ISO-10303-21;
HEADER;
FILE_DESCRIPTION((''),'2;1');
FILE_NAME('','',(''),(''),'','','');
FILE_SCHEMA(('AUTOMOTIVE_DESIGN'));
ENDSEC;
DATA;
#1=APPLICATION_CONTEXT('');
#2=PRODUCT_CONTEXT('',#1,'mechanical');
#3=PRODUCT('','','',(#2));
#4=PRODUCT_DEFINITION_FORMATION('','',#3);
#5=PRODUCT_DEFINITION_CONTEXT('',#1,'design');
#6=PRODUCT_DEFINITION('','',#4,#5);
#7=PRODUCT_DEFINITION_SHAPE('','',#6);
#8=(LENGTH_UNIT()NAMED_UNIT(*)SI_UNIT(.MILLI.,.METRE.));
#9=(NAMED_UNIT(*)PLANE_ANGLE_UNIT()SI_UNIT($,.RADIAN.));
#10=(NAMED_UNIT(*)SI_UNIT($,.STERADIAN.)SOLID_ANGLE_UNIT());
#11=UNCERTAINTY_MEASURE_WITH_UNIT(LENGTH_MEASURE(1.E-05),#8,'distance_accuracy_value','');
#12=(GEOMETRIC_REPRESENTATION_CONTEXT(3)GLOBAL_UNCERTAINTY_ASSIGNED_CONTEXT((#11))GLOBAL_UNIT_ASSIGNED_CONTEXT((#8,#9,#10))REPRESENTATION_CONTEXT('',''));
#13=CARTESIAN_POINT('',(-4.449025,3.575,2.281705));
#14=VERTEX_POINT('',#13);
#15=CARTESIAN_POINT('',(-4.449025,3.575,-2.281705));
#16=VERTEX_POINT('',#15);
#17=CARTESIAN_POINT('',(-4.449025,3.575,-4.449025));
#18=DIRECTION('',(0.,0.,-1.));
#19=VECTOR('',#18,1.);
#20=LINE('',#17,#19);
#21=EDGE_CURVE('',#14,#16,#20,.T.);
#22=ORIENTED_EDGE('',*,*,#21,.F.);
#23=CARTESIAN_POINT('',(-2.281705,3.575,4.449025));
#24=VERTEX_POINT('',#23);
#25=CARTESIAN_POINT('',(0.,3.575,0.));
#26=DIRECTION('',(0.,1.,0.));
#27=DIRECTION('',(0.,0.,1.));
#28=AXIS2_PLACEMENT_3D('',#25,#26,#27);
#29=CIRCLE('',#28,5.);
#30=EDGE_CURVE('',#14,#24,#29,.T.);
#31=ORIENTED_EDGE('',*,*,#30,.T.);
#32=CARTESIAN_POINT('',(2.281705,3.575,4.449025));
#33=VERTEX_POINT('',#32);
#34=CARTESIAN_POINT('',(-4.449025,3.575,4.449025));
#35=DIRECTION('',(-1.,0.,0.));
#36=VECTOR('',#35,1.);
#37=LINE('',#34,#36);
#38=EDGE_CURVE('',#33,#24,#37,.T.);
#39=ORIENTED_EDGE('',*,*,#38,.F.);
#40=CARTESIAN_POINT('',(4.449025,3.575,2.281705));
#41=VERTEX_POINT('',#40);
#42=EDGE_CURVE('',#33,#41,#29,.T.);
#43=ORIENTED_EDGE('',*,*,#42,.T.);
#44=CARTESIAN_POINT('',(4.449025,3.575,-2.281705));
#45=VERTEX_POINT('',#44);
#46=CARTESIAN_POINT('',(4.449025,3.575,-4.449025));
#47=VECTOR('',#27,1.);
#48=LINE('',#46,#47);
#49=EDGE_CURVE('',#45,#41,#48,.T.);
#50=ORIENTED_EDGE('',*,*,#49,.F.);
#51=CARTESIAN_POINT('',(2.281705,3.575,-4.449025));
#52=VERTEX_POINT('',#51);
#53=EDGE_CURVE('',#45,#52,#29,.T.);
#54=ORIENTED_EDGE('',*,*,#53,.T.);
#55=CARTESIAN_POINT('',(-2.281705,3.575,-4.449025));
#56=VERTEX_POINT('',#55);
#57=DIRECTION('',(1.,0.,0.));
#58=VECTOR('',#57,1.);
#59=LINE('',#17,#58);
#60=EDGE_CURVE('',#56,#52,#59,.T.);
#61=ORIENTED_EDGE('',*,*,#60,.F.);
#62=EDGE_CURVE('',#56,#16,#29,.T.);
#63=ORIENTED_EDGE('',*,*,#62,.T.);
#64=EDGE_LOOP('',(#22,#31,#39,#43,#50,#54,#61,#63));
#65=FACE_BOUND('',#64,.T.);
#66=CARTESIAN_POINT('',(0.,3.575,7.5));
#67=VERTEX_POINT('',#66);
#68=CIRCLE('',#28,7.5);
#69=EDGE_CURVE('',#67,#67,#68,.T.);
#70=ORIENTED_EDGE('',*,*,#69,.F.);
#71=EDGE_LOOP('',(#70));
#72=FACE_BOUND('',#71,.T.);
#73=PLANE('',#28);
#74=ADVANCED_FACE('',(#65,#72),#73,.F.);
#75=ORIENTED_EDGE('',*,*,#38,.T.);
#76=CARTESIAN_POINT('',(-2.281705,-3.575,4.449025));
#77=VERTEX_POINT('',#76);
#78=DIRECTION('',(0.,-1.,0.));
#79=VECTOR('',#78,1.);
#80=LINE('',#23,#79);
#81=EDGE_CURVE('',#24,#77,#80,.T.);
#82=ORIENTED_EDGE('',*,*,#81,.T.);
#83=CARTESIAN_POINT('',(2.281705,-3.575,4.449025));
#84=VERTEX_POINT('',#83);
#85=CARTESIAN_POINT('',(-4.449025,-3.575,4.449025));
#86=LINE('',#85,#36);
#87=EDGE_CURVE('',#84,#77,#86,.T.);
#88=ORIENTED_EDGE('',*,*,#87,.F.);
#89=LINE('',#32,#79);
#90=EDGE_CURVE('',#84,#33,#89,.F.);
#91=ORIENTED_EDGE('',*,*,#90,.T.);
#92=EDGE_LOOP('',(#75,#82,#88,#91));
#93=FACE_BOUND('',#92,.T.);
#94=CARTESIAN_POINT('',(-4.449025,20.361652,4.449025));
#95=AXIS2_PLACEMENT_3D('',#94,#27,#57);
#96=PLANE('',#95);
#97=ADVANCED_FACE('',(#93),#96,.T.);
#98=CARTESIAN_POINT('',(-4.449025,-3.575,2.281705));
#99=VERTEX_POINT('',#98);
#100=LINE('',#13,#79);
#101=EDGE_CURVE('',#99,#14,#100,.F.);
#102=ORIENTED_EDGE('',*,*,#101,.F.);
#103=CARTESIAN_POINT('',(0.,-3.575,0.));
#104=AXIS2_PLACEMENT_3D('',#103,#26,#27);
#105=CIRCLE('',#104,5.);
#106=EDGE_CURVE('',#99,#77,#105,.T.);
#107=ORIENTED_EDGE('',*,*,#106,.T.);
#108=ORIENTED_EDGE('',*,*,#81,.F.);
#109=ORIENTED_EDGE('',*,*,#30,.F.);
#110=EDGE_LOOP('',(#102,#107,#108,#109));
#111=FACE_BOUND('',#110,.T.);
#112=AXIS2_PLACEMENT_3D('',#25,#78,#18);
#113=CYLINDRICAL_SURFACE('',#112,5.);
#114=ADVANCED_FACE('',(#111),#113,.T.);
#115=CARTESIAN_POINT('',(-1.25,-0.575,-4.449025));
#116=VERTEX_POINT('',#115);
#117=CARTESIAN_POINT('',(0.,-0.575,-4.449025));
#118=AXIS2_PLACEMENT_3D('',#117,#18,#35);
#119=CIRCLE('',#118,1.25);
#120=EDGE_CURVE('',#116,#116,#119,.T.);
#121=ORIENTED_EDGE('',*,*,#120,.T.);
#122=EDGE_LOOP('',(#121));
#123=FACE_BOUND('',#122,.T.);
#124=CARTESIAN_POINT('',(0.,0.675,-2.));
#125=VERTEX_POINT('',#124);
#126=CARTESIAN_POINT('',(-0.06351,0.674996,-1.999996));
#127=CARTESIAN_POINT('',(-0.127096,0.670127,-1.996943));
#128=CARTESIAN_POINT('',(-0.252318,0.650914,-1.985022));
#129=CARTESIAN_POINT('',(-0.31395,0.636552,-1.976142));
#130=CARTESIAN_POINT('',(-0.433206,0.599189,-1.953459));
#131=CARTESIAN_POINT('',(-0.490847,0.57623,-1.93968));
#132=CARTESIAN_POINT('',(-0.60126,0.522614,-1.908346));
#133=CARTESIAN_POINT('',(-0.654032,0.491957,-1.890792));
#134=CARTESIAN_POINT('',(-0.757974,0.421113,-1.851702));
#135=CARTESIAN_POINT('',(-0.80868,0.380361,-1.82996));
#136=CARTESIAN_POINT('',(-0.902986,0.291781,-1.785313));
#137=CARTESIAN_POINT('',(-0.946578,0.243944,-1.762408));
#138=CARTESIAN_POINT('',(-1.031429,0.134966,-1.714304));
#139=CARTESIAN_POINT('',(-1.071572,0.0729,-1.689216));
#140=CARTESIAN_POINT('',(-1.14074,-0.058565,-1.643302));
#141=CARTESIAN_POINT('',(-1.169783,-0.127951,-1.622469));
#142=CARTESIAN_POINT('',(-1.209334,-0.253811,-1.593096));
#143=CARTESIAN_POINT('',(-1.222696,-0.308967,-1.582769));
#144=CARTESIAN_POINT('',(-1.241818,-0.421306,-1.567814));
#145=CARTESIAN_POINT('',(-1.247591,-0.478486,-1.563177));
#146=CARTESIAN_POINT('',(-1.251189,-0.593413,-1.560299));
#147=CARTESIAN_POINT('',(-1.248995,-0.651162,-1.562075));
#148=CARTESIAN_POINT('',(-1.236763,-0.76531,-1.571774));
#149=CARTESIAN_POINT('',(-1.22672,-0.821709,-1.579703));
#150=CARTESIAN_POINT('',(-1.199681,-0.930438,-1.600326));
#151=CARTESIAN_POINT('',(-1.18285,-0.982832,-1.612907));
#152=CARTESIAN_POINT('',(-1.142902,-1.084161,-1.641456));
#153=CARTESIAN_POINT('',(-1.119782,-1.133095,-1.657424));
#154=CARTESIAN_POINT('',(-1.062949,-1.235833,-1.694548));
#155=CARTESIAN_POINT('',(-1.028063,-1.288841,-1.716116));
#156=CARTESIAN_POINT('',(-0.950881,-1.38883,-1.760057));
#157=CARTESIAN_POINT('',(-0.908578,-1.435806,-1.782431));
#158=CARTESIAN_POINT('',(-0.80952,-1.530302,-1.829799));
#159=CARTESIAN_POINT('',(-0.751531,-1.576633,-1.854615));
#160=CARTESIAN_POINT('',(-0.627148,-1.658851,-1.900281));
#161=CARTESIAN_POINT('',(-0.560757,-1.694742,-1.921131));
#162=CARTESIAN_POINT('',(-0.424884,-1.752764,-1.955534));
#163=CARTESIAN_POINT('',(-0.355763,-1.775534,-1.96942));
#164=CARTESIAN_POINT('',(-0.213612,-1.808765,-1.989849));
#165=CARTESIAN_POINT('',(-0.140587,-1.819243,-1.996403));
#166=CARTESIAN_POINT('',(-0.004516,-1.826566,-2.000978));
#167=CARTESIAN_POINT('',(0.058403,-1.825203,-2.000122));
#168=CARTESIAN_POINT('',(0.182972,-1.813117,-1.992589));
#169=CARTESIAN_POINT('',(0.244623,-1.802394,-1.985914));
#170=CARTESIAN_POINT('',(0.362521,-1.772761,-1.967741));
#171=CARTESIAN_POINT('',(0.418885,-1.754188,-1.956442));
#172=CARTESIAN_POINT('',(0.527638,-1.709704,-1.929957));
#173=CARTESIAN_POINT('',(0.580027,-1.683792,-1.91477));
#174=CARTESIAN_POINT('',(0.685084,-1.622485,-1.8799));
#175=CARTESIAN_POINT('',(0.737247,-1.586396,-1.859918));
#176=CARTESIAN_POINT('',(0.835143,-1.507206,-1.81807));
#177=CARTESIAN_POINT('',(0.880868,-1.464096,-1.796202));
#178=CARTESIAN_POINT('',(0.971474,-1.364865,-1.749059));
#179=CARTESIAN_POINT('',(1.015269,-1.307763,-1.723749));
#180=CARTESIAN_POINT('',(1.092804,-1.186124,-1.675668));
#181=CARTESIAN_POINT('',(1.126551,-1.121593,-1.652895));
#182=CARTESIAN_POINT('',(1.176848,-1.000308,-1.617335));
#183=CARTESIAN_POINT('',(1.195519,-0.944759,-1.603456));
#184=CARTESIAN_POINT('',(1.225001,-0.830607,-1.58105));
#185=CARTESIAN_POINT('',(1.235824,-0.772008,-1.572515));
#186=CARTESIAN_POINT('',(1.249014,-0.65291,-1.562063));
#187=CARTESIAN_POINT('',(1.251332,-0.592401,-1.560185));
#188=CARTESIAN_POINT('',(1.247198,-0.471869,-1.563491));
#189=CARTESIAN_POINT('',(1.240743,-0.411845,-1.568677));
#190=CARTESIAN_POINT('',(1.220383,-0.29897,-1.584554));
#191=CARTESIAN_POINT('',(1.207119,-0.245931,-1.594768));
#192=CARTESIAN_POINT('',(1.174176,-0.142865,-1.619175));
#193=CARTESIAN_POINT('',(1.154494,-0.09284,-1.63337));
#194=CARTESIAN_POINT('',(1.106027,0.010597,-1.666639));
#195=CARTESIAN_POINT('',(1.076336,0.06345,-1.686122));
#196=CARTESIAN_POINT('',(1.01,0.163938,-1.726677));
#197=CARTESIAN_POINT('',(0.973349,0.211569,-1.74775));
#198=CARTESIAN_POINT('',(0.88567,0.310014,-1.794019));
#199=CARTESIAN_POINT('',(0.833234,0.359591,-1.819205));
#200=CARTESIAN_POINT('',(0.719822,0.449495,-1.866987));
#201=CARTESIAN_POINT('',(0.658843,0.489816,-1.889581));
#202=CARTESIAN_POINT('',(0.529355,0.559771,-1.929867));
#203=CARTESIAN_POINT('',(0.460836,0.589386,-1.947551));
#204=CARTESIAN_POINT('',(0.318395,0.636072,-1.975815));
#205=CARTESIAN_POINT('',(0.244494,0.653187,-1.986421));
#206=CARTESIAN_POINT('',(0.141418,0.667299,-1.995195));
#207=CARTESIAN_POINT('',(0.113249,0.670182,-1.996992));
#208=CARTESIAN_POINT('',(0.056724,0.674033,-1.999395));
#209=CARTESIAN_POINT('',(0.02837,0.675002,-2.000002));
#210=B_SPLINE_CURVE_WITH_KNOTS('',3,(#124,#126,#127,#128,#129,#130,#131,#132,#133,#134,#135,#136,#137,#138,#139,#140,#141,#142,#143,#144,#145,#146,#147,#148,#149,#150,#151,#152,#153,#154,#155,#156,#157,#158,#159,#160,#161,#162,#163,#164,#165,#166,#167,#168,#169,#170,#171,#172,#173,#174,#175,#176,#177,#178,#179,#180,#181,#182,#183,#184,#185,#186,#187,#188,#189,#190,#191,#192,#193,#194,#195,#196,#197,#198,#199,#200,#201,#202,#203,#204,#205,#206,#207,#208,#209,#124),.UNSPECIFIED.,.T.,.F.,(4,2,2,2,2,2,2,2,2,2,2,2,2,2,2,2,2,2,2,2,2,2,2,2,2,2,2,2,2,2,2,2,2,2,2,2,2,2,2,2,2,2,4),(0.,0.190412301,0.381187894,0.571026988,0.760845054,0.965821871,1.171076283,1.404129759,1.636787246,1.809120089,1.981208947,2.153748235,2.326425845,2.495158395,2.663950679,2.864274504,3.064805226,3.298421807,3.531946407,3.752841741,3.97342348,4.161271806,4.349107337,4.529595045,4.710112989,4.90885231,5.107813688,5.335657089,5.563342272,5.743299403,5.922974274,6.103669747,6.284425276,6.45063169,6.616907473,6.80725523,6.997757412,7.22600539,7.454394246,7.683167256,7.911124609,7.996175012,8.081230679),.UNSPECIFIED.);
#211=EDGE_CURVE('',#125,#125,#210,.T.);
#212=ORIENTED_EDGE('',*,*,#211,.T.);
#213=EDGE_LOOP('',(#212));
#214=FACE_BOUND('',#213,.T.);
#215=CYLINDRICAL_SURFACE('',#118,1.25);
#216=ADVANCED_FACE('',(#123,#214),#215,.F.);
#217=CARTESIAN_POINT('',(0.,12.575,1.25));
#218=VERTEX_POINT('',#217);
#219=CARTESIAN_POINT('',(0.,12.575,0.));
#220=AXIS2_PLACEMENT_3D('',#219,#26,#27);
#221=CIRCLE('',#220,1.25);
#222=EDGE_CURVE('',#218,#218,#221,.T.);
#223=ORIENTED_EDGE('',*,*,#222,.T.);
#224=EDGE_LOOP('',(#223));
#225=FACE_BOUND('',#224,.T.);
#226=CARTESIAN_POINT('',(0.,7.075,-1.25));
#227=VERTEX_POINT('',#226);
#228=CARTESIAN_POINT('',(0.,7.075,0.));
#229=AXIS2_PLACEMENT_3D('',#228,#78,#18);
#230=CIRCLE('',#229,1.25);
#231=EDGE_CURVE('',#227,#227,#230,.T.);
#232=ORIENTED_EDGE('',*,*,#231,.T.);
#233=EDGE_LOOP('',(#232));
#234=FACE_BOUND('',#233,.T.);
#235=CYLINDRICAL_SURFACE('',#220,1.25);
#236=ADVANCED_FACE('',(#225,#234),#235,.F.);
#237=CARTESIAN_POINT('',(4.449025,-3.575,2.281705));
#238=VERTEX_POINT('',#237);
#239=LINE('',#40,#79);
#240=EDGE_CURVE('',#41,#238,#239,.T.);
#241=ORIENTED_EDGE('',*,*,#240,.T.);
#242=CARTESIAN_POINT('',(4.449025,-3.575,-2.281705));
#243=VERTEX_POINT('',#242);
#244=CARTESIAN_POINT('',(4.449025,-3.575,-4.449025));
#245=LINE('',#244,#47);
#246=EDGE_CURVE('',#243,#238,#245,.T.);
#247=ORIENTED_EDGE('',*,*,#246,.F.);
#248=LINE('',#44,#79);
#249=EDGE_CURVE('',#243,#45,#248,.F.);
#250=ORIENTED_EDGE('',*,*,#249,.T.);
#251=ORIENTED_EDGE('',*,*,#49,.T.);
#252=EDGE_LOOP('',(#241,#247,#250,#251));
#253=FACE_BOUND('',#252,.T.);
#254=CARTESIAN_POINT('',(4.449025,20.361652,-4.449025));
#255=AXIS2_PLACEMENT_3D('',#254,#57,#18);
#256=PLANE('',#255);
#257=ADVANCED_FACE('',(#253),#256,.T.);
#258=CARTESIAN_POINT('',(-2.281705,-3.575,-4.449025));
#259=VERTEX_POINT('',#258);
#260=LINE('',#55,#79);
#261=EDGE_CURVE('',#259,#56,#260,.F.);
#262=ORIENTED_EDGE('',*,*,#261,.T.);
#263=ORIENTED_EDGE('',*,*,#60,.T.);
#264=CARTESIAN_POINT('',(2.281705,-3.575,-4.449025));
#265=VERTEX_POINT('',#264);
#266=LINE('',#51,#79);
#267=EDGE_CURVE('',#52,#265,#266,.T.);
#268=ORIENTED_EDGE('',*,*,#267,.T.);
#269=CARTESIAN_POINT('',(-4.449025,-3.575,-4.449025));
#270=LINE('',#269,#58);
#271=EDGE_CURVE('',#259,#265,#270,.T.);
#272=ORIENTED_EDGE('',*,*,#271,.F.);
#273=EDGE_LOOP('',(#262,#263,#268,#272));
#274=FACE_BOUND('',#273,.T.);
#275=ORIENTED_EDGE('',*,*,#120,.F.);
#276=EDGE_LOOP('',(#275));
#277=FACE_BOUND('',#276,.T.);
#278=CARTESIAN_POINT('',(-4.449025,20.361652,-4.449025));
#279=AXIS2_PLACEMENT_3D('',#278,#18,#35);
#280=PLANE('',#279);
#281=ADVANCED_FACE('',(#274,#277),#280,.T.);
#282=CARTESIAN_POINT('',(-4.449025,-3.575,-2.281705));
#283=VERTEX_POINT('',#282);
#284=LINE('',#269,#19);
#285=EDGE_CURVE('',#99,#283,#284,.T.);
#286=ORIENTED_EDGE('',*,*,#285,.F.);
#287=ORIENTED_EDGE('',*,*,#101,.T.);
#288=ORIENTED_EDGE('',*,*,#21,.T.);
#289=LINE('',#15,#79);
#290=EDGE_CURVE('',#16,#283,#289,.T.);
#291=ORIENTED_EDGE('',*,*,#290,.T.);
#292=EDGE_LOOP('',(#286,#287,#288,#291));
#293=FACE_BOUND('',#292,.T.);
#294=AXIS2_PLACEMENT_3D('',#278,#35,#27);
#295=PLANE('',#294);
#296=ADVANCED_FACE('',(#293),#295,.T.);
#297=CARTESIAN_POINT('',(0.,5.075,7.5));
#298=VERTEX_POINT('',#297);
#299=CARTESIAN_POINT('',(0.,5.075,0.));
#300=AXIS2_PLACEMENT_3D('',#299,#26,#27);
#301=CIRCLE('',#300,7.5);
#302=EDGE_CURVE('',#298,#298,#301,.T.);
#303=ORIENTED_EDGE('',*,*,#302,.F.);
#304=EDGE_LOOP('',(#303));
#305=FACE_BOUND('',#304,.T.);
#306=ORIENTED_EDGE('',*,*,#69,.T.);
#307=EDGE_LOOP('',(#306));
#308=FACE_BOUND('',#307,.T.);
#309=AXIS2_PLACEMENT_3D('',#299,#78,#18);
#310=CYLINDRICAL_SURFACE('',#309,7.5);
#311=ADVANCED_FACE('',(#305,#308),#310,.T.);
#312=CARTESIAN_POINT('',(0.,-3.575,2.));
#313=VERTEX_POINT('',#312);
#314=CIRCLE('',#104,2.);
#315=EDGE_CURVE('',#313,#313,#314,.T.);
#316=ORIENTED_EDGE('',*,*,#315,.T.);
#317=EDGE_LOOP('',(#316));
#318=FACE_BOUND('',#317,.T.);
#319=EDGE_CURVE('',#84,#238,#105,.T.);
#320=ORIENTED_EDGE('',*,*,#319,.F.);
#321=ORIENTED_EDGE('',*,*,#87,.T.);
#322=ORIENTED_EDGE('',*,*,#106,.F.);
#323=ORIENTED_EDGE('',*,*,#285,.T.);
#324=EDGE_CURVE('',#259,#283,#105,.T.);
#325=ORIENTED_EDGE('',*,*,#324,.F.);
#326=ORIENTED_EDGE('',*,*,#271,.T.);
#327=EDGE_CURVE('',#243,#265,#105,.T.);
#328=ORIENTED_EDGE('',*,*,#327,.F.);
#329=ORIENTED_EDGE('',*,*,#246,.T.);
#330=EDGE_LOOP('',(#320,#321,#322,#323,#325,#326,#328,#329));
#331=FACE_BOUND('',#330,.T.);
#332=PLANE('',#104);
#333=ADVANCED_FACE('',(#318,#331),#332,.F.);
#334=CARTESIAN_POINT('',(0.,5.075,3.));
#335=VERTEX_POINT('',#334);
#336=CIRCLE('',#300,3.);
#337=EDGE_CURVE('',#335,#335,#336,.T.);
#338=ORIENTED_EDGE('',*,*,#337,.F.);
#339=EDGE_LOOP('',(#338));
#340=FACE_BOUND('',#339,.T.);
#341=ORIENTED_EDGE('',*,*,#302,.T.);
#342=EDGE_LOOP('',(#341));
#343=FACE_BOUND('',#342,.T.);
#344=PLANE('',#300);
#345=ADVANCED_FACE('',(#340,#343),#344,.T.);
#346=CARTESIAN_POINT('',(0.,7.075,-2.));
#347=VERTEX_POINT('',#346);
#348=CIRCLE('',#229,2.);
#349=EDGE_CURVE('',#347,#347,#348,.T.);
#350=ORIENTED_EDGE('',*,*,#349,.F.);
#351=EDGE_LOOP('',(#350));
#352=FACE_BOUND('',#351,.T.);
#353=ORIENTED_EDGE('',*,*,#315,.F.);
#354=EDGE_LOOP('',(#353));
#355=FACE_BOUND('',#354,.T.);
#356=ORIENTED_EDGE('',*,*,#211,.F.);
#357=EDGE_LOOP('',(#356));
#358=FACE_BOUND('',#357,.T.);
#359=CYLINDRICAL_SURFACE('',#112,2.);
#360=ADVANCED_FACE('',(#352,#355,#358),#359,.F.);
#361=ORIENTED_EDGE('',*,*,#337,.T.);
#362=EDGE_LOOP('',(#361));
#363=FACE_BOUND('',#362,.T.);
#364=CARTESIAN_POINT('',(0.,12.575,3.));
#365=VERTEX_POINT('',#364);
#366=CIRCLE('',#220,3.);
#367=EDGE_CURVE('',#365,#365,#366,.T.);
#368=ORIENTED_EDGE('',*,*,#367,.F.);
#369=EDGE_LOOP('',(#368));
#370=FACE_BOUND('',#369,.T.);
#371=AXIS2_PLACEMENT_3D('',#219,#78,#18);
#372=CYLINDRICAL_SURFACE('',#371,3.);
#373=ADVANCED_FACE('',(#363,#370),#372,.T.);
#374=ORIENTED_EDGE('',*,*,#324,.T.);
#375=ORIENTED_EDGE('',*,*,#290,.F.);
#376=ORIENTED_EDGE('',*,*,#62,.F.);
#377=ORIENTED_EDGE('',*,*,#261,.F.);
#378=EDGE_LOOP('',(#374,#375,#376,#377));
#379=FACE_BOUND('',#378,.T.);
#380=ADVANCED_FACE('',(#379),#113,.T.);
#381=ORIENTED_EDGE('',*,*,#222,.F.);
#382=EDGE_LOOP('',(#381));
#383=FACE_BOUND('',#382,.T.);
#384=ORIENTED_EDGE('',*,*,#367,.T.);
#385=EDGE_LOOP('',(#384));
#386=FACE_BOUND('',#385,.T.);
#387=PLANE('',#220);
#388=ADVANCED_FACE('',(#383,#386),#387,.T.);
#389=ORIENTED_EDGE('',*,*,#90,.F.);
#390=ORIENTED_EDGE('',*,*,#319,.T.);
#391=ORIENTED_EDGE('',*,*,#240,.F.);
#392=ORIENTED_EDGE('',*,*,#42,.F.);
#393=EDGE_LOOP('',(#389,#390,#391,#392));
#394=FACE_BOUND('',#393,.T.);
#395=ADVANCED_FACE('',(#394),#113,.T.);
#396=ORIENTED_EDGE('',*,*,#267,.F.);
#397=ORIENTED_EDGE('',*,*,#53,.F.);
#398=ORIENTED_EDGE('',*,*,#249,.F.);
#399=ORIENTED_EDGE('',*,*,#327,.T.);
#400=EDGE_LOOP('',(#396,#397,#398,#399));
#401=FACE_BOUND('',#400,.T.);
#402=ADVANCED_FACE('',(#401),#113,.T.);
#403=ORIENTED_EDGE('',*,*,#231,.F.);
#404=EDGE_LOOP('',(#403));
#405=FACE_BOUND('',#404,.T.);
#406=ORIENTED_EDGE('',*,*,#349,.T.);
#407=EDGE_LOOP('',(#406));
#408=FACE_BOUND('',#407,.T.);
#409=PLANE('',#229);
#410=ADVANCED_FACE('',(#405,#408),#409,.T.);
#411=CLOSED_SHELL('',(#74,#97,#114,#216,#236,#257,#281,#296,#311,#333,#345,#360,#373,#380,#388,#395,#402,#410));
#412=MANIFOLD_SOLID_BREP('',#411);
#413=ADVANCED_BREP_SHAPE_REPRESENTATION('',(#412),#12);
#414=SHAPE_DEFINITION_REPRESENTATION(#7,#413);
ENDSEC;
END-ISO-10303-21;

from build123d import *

# Parameters (mm, degrees)
SKETCH1_R                  = 5
SKETCH1_R_2                = 2
BOSS_EXTRUDE1_DEPTH        = 3.575
SKETCH2_R                  = 7.5
SKETCH2_R_2                = 2
BOSS_EXTRUDE2_DEPTH        = 1.5
SKETCH3_W                  = 11.269871592
SKETCH3_H                  = 12.441128044
SKETCH3_W_2                = 8.898049958
SKETCH3_H_2                = 8.898049958
CUT_EXTRUDE1_DEPTH         = 7.15
M3X0_5_TAPPED_HOLE1_REACH  = 16.993
M3X0_5_TAPPED_HOLE1_BORE_R = 1.25
SKETCH9_R                  = 3
SKETCH9_R_2                = 2
BOSS_EXTRUDE3_DEPTH        = 7.5
SKETCH11_R                 = 2
BOSS_EXTRUDE4_DEPTH        = 7.5
M3X0_5_TAPPED_HOLE2_D      = 2.5
SKETCH15_R                 = 2
SKETCH15_R_2               = 1.25
CUT_EXTRUDE2_DEPTH         = 2


with BuildPart() as part:
    # Sketch1 → Boss-Extrude1 (new, symmetric)
    with BuildSketch(Plane(origin=(0, 0, 0), x_dir=(1, 0, 0), z_dir=(0, 1, 0))):
        with Locations(Location((0, 0, 0), (0, 0, 270))):
            Circle(SKETCH1_R)
        with Locations(Location((0, 0, 0), (0, 0, 270))):
            Circle(SKETCH1_R_2, mode=Mode.SUBTRACT)
    extrude(amount=BOSS_EXTRUDE1_DEPTH, both=True)

    # Sketch2 → Boss-Extrude2 (add)
    with BuildSketch(Plane(origin=(0, 3.575, 0), x_dir=(1, 0, 0), z_dir=(0, 1, 0))):
        with Locations(Location((0, 0, 0), (0, 0, 270))):
            Circle(SKETCH2_R)
        with Locations(Location((0, 0, 0), (0, 0, 270))):
            Circle(SKETCH2_R_2, mode=Mode.SUBTRACT)
    extrude(amount=BOSS_EXTRUDE2_DEPTH)

    # Sketch3 → Cut-Extrude1 (cut)
    with BuildSketch(Plane.XZ.offset(3.575)):
        Rectangle(SKETCH3_W, SKETCH3_H)
        Rectangle(SKETCH3_W_2, SKETCH3_H_2, mode=Mode.SUBTRACT)
    extrude(amount=-CUT_EXTRUDE1_DEPTH, mode=Mode.SUBTRACT)

    # M3x0.5 Tapped Hole1 bore → M3x0.5 Tapped Hole1 (cut, up to next)
    with BuildSketch(Plane(origin=(0, 0, -4.449024979), x_dir=(-1, 0, 0), z_dir=(0, 0, -1)), mode=Mode.PRIVATE) as m3x0_5_tapped_hole1_sk1:
        with Locations((0, -0.575)):
            Circle(M3X0_5_TAPPED_HOLE1_BORE_R)
    m3x0_5_tapped_hole1_tool1 = extrude(m3x0_5_tapped_hole1_sk1.sketch, amount=-M3X0_5_TAPPED_HOLE1_REACH, mode=Mode.PRIVATE) & part.part
    add(m3x0_5_tapped_hole1_tool1.solids().sort_by_distance((0, -0.575, -4.449025))[0], mode=Mode.SUBTRACT)

    # Sketch9 → Boss-Extrude3 (add)
    with BuildSketch(Plane(origin=(0, 5.075, 0), x_dir=(1, 0, 0), z_dir=(0, 1, 0))):
        with Locations(Location((0, 0, 0), (0, 0, 270))):
            Circle(SKETCH9_R)
        with Locations(Location((0, 0, 0), (0, 0, 270))):
            Circle(SKETCH9_R_2, mode=Mode.SUBTRACT)
    extrude(amount=BOSS_EXTRUDE3_DEPTH)

    # Sketch11 → Boss-Extrude4 (add)
    with BuildSketch(Plane(origin=(0, 12.575, 0), x_dir=(1, 0, 0), z_dir=(0, 1, 0))):
        with Locations(Location((0, 0, 0), (0, 0, 270))):
            Circle(SKETCH11_R)
    extrude(amount=-BOSS_EXTRUDE4_DEPTH)

    # M3x0.5 Tapped Hole2 (through all)
    with Locations(Plane(origin=(0, 12.575, 0), x_dir=(1, 0, 0), z_dir=(0, 1, 0))):
        with Locations((0, 0)):
            Hole(M3X0_5_TAPPED_HOLE2_D / 2)

    # Sketch15 → Cut-Extrude2 (cut)
    with BuildSketch(Plane.XZ.offset(-5.075)):
        with Locations(Location((0, 0, 0), (0, 0, 270))):
            Circle(SKETCH15_R)
        with Locations(Location((0, 0, 0), (0, 0, 90))):
            Circle(SKETCH15_R_2, mode=Mode.SUBTRACT)
    extrude(amount=-CUT_EXTRUDE2_DEPTH, mode=Mode.SUBTRACT)


solid = part.part
